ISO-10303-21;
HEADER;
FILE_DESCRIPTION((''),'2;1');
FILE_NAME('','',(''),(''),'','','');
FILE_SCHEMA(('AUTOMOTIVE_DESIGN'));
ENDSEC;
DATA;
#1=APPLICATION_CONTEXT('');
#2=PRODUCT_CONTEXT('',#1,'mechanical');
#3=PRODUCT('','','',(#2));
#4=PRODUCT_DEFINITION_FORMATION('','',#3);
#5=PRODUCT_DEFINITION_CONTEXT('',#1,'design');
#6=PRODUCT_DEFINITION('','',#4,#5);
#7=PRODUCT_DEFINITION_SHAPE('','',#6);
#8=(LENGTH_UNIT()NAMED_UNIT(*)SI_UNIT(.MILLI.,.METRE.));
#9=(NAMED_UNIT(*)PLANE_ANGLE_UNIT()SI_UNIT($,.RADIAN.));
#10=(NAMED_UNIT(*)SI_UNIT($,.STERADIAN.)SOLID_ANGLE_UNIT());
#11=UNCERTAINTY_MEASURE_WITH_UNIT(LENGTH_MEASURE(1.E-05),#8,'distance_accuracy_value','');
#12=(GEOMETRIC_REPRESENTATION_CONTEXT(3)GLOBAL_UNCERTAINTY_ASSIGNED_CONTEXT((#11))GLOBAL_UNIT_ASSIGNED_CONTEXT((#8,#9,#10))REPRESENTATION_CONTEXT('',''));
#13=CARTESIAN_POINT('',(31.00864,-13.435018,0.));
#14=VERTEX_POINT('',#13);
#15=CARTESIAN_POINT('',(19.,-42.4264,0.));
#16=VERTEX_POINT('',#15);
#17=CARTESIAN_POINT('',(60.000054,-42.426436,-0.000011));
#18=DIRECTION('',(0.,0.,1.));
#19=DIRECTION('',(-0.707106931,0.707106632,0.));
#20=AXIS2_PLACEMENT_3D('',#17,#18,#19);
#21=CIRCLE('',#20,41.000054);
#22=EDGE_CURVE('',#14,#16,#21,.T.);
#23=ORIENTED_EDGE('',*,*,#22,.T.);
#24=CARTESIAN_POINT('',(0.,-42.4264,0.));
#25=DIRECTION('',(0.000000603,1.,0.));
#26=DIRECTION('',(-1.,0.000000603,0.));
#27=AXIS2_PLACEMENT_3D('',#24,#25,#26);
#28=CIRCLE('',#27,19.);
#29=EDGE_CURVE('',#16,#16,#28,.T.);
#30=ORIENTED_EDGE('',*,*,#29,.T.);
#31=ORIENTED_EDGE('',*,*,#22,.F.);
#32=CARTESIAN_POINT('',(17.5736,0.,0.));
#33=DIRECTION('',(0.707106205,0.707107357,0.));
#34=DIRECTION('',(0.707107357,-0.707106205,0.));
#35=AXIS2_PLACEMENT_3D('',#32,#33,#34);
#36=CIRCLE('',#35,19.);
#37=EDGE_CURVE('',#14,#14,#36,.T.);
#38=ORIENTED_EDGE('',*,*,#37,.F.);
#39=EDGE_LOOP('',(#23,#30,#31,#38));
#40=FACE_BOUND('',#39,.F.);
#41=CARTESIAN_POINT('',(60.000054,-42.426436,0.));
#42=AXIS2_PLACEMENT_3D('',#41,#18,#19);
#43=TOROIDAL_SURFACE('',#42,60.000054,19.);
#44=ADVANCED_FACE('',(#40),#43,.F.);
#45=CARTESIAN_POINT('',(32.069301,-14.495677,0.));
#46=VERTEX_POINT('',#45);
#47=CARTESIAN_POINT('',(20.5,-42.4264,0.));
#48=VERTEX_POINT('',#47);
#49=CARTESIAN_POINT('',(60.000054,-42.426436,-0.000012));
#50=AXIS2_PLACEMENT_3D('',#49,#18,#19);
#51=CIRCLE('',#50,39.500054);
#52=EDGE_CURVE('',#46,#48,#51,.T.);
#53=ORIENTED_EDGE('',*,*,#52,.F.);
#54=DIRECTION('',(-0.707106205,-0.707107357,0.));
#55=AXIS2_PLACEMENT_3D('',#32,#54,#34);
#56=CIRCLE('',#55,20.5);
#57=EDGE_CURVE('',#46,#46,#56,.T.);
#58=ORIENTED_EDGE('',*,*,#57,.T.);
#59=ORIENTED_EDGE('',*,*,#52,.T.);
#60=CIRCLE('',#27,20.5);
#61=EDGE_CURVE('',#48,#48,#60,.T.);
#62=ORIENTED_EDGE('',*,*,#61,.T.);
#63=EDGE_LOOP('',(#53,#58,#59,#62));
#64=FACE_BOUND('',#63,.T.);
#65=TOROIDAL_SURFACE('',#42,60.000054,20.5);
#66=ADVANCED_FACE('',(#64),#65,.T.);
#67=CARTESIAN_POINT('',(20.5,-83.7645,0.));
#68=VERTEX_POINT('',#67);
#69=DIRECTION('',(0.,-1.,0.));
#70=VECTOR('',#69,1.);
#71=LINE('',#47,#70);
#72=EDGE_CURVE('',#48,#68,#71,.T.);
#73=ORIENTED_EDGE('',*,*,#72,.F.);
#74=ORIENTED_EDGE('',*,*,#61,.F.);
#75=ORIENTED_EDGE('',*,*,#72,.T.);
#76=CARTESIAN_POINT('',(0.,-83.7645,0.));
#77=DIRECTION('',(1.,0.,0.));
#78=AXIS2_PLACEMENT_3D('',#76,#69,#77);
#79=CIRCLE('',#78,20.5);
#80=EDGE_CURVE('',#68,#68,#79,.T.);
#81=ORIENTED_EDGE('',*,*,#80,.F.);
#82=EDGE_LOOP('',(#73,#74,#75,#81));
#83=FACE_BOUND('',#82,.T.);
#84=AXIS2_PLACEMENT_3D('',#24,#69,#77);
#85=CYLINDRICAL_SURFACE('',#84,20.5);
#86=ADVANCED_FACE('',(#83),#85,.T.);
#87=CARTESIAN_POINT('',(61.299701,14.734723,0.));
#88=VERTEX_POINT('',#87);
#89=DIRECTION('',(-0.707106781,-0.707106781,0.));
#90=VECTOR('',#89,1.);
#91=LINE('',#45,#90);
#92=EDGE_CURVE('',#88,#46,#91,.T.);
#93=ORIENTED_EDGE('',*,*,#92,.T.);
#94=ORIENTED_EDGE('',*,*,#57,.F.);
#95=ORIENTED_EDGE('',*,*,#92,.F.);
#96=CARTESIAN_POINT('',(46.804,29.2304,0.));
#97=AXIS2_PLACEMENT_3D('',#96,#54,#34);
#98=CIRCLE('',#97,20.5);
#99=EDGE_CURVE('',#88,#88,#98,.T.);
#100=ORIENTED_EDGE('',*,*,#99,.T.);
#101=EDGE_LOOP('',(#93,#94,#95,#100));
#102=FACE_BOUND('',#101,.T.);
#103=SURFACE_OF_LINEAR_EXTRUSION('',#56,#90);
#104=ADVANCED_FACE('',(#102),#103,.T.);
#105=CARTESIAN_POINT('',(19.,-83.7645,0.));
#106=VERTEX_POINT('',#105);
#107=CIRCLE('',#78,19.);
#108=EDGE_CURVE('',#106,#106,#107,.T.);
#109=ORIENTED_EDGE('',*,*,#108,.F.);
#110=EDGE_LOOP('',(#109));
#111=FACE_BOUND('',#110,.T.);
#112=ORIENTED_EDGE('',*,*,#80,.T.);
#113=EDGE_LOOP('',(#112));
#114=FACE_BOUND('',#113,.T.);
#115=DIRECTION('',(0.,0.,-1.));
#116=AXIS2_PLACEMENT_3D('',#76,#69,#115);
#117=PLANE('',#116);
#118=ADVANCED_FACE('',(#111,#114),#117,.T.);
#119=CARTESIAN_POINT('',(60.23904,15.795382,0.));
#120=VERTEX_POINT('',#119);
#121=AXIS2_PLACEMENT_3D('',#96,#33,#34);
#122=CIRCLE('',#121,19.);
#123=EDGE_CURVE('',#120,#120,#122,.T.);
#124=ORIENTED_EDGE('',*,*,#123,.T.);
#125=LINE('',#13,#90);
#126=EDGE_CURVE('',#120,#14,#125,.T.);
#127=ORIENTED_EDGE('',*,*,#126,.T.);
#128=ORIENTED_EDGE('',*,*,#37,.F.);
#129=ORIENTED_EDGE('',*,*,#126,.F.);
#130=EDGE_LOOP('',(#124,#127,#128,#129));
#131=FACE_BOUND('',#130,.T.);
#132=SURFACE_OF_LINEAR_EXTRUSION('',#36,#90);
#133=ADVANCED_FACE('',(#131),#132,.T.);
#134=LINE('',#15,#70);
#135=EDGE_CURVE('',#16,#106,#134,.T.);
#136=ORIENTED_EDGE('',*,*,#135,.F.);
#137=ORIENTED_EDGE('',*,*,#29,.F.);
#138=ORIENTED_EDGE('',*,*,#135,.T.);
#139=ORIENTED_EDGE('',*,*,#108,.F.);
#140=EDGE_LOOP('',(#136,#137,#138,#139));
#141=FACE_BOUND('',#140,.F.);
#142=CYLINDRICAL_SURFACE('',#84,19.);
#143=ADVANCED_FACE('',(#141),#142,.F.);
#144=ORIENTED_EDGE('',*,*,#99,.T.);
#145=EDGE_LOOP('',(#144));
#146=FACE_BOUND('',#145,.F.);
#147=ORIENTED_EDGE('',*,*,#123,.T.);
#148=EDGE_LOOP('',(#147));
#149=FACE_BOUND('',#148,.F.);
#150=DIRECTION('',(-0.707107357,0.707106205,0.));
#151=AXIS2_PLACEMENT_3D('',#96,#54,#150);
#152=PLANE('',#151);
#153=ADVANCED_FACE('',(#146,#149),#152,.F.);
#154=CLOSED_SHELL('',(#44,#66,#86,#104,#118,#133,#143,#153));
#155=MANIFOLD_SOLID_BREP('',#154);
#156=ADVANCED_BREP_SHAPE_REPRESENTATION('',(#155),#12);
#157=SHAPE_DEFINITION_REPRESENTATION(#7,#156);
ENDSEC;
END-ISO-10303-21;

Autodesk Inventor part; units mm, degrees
ref_plane "YZ Plane" through (0, 0, 0) normal (1, 0, 0) x (0, 1, 0)
ref_plane "XZ Plane" through (0, 0, 0) normal (0, 1, 0) x (-1, 0, 0)
sketch "Szkic6" plane through (0, 0, 0) normal (0, 0, 1) x (1, 0, 0)
  line L0 (-29.6067, 0) -> (35.2678, 0) construction
  line L1 (0, 42.3419) -> (0, -58.3726) construction
  arc A0 (17.5736, 0) -> (0, -42.4264) centre (60, -42.4264) ccw
  line L2 (0, -42.4264) -> (60, -42.4264) construction
  line L3 (60, -42.4264) -> (13.6611, 3.9125) construction
  line L4 (17.5736, 0) -> (46.804, 29.2304)
  line L5 (0, -42.4264) -> (0, -83.7645)
  point P0 (0, 0)
  dimension "d24" = 60
  dimension "d31" = 45
  dimension "d36" = 41.3381
  dimension "d37" = 41.3381
ref_plane "Płaszczyzna konstrukcyjna2" through (0, -42.4264, 0) normal (0, -1, 0) x (1, 0, 0)
sketch "Szkic8" plane through (0, -42.4264, 0) normal (0, -1, 0) x (1, 0, 0)
  circle A0 centre (0, 0) radius 20.5
  circle A1 centre (0, 0) radius 19
  dimension "d32" = 41
  dimension "d33" = 1.5
sweep "Przeciągnięcie2" add profiles "Szkic8" path "Szkic6"
equation "\"d32\" = OD"
equation "\"d33\" = THK"
equation "\"d24\" = R"
equation "\"d31\" = KAT"
equation "\"d36\" = PROSTKA"
equation "\"d37\" = PROSTKA"
equation "\"SzerokośćGięciaPodcięcia\" = Grubość"
equation "\"RozmiarPodcięciaNarożnika\" = 4 * Grubość"
equation "\"PromieńPrzejścia\" = PromieńGięcia"
equation "\"Rozmiar_promienia_Jacobiego\" = PromieńGięcia"
equation "\"Wielk_odstępu\" = Grubość"
equation "\"d2\" = PromieńGięcia"
equation "\"d23\" = PromieńGięcia"
equation "\"R\" = 60"
equation "\"OD\" = 41"
equation "\"THK\" = 1.5"
equation "\"KAT\" = 45deg"
equation "\"PROSTKA\" = 41.33806"
equation "\"Grubość\" = 1.5"
equation "\"PromieńGięcia\" = 3"
properties part number "Kolano 45° ø41x1,5 R60" material "304L"
